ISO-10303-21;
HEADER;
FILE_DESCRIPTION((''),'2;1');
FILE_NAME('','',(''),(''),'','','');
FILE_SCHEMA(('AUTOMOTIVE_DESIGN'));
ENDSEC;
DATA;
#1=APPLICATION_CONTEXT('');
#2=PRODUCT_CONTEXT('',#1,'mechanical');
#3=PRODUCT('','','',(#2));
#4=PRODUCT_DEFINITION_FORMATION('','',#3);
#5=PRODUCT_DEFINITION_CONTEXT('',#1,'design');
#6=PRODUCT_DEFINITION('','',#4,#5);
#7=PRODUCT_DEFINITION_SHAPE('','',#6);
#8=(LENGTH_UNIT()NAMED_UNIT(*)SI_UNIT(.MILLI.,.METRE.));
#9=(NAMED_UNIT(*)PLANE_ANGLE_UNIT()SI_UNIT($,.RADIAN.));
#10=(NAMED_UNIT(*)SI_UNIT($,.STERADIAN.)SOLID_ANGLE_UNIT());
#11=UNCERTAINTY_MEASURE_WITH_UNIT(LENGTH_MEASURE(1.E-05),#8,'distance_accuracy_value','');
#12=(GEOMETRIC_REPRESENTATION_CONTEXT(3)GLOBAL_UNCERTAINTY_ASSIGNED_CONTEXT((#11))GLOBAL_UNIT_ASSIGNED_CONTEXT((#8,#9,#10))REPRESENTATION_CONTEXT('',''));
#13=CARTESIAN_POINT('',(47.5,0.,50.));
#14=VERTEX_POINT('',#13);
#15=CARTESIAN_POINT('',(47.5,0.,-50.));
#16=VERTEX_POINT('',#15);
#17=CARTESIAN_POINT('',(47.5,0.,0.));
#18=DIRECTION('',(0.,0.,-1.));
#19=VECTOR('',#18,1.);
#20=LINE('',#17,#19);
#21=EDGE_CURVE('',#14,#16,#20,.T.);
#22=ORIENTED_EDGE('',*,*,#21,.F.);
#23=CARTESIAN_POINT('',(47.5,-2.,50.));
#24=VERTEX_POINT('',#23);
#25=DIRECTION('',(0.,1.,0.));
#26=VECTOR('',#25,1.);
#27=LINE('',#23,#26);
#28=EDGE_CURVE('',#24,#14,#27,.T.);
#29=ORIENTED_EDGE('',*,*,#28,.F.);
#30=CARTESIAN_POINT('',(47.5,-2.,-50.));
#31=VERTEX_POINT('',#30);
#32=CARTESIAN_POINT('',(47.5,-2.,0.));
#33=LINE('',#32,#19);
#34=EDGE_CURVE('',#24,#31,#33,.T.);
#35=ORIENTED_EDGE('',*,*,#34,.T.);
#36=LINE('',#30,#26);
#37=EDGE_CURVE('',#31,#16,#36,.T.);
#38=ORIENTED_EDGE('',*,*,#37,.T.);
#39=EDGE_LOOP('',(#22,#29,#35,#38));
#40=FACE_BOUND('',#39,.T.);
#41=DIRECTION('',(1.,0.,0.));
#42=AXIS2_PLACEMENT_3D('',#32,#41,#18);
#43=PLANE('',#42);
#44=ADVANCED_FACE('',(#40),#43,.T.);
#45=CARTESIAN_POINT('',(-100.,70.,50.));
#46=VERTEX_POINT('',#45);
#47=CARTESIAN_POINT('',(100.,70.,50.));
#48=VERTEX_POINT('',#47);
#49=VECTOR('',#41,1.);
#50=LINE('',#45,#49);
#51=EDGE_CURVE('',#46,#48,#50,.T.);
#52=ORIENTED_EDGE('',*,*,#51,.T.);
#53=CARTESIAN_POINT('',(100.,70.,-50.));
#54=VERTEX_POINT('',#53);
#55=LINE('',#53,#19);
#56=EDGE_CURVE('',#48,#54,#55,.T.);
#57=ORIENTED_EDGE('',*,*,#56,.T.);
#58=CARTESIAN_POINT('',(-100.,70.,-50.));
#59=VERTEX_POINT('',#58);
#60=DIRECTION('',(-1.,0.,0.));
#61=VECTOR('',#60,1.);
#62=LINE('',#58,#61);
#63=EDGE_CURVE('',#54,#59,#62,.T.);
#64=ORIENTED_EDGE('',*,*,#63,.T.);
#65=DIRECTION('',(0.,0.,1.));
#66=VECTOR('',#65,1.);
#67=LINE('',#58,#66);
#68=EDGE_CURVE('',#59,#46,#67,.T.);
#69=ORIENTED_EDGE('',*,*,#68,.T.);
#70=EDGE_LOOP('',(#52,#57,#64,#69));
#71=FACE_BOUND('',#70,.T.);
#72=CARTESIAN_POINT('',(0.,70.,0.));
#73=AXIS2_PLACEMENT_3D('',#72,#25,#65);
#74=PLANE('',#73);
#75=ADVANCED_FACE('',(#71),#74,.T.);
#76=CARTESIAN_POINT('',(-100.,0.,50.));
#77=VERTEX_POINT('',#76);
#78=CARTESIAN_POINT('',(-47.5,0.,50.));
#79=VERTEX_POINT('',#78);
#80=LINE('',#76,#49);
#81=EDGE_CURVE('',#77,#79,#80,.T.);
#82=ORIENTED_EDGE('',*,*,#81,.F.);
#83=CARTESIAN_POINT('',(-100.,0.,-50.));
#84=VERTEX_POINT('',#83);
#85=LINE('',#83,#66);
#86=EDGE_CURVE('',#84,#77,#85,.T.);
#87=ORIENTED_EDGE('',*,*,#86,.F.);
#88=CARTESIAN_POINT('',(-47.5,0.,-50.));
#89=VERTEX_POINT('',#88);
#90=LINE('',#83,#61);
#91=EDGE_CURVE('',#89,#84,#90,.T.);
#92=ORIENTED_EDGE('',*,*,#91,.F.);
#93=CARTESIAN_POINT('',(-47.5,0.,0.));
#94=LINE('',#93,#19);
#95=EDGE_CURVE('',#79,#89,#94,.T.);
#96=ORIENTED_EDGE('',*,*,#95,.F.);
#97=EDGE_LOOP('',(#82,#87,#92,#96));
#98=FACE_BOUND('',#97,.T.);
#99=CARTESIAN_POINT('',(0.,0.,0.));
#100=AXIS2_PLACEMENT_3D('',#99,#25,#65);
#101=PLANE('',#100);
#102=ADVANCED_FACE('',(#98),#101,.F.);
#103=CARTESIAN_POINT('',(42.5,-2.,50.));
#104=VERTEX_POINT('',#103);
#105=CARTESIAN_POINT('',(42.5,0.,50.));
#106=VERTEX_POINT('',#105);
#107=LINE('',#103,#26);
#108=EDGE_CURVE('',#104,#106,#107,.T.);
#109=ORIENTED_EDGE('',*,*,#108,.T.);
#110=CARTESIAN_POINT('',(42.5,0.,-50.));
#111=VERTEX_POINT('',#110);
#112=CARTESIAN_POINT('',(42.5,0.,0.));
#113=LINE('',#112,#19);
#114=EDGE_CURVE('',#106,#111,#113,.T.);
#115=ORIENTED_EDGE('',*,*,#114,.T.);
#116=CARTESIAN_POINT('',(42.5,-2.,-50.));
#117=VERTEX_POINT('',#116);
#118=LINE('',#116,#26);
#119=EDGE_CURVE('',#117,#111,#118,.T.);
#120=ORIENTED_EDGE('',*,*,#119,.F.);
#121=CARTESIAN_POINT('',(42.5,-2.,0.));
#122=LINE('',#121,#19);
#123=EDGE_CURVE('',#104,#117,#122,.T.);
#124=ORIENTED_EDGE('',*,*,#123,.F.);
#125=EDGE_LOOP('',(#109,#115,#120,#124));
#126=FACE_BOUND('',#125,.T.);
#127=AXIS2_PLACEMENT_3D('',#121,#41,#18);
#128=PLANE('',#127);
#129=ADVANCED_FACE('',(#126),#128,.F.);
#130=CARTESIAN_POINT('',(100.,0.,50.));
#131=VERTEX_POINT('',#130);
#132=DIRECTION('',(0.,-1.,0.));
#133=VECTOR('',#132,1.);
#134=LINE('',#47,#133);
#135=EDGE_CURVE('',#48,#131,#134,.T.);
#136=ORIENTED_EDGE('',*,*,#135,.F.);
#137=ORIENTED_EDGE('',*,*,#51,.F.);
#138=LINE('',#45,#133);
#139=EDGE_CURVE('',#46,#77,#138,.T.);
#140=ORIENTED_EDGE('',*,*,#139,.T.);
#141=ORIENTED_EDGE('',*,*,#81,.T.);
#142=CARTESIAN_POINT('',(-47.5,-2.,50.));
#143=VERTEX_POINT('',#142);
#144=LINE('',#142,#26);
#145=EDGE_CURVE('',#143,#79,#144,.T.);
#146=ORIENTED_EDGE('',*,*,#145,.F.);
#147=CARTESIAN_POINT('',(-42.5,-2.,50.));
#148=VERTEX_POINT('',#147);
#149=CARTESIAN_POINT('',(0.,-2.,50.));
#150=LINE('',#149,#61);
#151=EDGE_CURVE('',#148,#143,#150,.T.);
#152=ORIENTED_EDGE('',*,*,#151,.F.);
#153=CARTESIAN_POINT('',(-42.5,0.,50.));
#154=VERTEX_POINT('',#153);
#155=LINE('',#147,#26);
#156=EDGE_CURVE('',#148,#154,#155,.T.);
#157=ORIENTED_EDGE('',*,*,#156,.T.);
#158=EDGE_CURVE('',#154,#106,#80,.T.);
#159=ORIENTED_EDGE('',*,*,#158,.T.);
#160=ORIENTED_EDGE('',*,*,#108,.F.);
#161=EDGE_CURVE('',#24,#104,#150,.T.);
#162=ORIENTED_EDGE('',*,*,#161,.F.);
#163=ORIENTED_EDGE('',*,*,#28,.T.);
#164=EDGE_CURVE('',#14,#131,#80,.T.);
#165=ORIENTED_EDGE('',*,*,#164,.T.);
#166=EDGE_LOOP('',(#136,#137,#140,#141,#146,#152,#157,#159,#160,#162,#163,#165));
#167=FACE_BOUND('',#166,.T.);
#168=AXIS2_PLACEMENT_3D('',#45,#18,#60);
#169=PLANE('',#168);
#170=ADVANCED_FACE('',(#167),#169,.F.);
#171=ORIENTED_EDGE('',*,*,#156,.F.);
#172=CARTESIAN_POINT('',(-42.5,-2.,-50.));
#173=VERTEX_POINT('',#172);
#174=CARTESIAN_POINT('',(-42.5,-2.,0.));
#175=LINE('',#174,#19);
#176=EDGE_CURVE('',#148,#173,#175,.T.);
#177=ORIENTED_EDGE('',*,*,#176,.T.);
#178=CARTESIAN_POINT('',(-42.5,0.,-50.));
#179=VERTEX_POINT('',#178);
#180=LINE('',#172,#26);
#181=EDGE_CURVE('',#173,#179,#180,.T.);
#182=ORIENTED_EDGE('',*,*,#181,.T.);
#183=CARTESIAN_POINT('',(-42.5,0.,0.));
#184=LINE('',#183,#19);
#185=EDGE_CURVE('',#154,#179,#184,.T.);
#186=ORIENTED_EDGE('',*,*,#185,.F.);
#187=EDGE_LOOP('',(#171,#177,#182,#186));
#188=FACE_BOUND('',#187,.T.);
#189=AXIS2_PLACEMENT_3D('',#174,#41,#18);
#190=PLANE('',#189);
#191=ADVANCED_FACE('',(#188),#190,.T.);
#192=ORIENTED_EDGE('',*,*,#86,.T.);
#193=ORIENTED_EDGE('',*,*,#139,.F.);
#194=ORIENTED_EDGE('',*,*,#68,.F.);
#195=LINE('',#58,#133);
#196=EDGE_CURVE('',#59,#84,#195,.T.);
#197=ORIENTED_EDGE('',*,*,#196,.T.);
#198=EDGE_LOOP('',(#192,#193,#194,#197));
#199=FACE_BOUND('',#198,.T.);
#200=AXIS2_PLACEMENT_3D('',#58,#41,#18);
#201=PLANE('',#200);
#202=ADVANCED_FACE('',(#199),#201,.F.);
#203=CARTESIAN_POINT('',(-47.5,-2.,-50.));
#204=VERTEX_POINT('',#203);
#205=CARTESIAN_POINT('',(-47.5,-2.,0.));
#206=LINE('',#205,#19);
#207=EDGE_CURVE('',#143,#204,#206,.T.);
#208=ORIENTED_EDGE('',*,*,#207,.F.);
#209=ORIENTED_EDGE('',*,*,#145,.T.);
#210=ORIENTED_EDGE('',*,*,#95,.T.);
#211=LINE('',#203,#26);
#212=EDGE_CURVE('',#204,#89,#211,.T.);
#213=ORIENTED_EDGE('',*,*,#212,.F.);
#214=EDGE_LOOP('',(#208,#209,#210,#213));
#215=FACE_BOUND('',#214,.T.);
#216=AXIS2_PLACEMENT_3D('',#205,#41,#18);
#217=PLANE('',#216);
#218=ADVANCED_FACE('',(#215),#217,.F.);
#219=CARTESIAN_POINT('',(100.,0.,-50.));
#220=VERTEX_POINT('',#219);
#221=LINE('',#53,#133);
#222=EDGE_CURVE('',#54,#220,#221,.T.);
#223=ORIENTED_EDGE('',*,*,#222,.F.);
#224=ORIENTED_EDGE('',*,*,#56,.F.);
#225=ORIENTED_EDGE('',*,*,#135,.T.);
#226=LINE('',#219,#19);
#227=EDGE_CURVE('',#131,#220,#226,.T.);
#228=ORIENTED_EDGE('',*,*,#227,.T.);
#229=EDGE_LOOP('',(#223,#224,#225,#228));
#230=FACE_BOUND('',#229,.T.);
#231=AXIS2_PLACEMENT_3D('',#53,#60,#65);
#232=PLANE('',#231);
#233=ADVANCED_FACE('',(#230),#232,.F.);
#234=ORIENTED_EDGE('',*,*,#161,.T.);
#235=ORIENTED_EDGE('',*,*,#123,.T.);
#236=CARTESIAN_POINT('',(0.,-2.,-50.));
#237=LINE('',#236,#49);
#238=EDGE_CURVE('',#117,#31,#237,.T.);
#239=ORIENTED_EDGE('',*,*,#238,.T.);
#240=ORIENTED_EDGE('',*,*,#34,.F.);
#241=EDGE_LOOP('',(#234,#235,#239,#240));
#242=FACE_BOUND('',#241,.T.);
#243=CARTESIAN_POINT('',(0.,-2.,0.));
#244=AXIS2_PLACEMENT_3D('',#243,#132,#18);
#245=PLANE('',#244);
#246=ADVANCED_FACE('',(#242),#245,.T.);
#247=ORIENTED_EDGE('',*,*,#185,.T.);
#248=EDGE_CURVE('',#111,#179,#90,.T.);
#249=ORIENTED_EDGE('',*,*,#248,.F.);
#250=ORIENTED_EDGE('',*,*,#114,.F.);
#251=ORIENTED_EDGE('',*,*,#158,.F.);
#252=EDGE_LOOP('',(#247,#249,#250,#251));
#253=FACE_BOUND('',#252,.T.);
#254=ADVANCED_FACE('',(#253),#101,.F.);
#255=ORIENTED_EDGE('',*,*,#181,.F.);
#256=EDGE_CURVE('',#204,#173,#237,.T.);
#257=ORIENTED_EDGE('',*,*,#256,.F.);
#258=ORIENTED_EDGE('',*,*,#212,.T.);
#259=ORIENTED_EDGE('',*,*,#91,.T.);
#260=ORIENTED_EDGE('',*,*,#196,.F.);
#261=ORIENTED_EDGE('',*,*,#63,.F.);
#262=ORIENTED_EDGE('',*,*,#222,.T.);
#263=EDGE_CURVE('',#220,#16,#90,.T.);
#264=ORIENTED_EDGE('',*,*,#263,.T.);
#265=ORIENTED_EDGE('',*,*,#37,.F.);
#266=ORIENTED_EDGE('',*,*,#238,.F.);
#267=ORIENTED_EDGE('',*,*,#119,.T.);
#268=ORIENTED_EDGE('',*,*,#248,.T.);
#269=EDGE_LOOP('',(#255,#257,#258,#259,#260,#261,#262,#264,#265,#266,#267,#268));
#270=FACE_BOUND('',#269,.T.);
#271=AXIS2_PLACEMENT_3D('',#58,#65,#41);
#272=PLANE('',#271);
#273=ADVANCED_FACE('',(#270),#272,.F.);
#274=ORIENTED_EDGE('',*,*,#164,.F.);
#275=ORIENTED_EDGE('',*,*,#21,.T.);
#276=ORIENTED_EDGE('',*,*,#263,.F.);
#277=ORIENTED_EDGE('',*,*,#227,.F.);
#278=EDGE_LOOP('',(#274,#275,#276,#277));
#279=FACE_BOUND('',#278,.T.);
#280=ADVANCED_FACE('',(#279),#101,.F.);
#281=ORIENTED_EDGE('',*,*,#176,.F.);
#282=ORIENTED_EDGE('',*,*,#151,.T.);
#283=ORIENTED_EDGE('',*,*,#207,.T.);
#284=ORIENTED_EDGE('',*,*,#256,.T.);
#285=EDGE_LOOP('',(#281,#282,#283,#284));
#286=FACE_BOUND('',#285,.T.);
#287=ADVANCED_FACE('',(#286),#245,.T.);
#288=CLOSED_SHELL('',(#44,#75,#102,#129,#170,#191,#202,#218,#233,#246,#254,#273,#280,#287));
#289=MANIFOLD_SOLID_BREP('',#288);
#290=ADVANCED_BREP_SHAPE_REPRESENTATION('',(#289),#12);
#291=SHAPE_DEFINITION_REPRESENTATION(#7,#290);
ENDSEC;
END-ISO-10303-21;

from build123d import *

# Parameters (mm, degrees)
SKETCH1_W           = 200
SKETCH1_H           = 100
BOSS_EXTRUDE1_DEPTH = 70
SKETCH2_W           = 5
SKETCH2_H           = 100
BOSS_EXTRUDE2_DEPTH = 2


with BuildPart() as part:
    # Sketch1 → Boss-Extrude1 (new body)
    with BuildSketch(Plane(origin=(0, 0, 0), x_dir=(1, 0, 0), z_dir=(0, 1, 0))):
        Rectangle(SKETCH1_W, SKETCH1_H)
    extrude(amount=BOSS_EXTRUDE1_DEPTH)

    # Sketch2 → Boss-Extrude2 (add)
    with BuildSketch(Plane.XZ):
        with Locations((-45, 0)):
            Rectangle(SKETCH2_W, SKETCH2_H)
        with Locations((45, 0)):
            Rectangle(SKETCH2_W, SKETCH2_H)
    extrude(amount=BOSS_EXTRUDE2_DEPTH)


solid = part.part
